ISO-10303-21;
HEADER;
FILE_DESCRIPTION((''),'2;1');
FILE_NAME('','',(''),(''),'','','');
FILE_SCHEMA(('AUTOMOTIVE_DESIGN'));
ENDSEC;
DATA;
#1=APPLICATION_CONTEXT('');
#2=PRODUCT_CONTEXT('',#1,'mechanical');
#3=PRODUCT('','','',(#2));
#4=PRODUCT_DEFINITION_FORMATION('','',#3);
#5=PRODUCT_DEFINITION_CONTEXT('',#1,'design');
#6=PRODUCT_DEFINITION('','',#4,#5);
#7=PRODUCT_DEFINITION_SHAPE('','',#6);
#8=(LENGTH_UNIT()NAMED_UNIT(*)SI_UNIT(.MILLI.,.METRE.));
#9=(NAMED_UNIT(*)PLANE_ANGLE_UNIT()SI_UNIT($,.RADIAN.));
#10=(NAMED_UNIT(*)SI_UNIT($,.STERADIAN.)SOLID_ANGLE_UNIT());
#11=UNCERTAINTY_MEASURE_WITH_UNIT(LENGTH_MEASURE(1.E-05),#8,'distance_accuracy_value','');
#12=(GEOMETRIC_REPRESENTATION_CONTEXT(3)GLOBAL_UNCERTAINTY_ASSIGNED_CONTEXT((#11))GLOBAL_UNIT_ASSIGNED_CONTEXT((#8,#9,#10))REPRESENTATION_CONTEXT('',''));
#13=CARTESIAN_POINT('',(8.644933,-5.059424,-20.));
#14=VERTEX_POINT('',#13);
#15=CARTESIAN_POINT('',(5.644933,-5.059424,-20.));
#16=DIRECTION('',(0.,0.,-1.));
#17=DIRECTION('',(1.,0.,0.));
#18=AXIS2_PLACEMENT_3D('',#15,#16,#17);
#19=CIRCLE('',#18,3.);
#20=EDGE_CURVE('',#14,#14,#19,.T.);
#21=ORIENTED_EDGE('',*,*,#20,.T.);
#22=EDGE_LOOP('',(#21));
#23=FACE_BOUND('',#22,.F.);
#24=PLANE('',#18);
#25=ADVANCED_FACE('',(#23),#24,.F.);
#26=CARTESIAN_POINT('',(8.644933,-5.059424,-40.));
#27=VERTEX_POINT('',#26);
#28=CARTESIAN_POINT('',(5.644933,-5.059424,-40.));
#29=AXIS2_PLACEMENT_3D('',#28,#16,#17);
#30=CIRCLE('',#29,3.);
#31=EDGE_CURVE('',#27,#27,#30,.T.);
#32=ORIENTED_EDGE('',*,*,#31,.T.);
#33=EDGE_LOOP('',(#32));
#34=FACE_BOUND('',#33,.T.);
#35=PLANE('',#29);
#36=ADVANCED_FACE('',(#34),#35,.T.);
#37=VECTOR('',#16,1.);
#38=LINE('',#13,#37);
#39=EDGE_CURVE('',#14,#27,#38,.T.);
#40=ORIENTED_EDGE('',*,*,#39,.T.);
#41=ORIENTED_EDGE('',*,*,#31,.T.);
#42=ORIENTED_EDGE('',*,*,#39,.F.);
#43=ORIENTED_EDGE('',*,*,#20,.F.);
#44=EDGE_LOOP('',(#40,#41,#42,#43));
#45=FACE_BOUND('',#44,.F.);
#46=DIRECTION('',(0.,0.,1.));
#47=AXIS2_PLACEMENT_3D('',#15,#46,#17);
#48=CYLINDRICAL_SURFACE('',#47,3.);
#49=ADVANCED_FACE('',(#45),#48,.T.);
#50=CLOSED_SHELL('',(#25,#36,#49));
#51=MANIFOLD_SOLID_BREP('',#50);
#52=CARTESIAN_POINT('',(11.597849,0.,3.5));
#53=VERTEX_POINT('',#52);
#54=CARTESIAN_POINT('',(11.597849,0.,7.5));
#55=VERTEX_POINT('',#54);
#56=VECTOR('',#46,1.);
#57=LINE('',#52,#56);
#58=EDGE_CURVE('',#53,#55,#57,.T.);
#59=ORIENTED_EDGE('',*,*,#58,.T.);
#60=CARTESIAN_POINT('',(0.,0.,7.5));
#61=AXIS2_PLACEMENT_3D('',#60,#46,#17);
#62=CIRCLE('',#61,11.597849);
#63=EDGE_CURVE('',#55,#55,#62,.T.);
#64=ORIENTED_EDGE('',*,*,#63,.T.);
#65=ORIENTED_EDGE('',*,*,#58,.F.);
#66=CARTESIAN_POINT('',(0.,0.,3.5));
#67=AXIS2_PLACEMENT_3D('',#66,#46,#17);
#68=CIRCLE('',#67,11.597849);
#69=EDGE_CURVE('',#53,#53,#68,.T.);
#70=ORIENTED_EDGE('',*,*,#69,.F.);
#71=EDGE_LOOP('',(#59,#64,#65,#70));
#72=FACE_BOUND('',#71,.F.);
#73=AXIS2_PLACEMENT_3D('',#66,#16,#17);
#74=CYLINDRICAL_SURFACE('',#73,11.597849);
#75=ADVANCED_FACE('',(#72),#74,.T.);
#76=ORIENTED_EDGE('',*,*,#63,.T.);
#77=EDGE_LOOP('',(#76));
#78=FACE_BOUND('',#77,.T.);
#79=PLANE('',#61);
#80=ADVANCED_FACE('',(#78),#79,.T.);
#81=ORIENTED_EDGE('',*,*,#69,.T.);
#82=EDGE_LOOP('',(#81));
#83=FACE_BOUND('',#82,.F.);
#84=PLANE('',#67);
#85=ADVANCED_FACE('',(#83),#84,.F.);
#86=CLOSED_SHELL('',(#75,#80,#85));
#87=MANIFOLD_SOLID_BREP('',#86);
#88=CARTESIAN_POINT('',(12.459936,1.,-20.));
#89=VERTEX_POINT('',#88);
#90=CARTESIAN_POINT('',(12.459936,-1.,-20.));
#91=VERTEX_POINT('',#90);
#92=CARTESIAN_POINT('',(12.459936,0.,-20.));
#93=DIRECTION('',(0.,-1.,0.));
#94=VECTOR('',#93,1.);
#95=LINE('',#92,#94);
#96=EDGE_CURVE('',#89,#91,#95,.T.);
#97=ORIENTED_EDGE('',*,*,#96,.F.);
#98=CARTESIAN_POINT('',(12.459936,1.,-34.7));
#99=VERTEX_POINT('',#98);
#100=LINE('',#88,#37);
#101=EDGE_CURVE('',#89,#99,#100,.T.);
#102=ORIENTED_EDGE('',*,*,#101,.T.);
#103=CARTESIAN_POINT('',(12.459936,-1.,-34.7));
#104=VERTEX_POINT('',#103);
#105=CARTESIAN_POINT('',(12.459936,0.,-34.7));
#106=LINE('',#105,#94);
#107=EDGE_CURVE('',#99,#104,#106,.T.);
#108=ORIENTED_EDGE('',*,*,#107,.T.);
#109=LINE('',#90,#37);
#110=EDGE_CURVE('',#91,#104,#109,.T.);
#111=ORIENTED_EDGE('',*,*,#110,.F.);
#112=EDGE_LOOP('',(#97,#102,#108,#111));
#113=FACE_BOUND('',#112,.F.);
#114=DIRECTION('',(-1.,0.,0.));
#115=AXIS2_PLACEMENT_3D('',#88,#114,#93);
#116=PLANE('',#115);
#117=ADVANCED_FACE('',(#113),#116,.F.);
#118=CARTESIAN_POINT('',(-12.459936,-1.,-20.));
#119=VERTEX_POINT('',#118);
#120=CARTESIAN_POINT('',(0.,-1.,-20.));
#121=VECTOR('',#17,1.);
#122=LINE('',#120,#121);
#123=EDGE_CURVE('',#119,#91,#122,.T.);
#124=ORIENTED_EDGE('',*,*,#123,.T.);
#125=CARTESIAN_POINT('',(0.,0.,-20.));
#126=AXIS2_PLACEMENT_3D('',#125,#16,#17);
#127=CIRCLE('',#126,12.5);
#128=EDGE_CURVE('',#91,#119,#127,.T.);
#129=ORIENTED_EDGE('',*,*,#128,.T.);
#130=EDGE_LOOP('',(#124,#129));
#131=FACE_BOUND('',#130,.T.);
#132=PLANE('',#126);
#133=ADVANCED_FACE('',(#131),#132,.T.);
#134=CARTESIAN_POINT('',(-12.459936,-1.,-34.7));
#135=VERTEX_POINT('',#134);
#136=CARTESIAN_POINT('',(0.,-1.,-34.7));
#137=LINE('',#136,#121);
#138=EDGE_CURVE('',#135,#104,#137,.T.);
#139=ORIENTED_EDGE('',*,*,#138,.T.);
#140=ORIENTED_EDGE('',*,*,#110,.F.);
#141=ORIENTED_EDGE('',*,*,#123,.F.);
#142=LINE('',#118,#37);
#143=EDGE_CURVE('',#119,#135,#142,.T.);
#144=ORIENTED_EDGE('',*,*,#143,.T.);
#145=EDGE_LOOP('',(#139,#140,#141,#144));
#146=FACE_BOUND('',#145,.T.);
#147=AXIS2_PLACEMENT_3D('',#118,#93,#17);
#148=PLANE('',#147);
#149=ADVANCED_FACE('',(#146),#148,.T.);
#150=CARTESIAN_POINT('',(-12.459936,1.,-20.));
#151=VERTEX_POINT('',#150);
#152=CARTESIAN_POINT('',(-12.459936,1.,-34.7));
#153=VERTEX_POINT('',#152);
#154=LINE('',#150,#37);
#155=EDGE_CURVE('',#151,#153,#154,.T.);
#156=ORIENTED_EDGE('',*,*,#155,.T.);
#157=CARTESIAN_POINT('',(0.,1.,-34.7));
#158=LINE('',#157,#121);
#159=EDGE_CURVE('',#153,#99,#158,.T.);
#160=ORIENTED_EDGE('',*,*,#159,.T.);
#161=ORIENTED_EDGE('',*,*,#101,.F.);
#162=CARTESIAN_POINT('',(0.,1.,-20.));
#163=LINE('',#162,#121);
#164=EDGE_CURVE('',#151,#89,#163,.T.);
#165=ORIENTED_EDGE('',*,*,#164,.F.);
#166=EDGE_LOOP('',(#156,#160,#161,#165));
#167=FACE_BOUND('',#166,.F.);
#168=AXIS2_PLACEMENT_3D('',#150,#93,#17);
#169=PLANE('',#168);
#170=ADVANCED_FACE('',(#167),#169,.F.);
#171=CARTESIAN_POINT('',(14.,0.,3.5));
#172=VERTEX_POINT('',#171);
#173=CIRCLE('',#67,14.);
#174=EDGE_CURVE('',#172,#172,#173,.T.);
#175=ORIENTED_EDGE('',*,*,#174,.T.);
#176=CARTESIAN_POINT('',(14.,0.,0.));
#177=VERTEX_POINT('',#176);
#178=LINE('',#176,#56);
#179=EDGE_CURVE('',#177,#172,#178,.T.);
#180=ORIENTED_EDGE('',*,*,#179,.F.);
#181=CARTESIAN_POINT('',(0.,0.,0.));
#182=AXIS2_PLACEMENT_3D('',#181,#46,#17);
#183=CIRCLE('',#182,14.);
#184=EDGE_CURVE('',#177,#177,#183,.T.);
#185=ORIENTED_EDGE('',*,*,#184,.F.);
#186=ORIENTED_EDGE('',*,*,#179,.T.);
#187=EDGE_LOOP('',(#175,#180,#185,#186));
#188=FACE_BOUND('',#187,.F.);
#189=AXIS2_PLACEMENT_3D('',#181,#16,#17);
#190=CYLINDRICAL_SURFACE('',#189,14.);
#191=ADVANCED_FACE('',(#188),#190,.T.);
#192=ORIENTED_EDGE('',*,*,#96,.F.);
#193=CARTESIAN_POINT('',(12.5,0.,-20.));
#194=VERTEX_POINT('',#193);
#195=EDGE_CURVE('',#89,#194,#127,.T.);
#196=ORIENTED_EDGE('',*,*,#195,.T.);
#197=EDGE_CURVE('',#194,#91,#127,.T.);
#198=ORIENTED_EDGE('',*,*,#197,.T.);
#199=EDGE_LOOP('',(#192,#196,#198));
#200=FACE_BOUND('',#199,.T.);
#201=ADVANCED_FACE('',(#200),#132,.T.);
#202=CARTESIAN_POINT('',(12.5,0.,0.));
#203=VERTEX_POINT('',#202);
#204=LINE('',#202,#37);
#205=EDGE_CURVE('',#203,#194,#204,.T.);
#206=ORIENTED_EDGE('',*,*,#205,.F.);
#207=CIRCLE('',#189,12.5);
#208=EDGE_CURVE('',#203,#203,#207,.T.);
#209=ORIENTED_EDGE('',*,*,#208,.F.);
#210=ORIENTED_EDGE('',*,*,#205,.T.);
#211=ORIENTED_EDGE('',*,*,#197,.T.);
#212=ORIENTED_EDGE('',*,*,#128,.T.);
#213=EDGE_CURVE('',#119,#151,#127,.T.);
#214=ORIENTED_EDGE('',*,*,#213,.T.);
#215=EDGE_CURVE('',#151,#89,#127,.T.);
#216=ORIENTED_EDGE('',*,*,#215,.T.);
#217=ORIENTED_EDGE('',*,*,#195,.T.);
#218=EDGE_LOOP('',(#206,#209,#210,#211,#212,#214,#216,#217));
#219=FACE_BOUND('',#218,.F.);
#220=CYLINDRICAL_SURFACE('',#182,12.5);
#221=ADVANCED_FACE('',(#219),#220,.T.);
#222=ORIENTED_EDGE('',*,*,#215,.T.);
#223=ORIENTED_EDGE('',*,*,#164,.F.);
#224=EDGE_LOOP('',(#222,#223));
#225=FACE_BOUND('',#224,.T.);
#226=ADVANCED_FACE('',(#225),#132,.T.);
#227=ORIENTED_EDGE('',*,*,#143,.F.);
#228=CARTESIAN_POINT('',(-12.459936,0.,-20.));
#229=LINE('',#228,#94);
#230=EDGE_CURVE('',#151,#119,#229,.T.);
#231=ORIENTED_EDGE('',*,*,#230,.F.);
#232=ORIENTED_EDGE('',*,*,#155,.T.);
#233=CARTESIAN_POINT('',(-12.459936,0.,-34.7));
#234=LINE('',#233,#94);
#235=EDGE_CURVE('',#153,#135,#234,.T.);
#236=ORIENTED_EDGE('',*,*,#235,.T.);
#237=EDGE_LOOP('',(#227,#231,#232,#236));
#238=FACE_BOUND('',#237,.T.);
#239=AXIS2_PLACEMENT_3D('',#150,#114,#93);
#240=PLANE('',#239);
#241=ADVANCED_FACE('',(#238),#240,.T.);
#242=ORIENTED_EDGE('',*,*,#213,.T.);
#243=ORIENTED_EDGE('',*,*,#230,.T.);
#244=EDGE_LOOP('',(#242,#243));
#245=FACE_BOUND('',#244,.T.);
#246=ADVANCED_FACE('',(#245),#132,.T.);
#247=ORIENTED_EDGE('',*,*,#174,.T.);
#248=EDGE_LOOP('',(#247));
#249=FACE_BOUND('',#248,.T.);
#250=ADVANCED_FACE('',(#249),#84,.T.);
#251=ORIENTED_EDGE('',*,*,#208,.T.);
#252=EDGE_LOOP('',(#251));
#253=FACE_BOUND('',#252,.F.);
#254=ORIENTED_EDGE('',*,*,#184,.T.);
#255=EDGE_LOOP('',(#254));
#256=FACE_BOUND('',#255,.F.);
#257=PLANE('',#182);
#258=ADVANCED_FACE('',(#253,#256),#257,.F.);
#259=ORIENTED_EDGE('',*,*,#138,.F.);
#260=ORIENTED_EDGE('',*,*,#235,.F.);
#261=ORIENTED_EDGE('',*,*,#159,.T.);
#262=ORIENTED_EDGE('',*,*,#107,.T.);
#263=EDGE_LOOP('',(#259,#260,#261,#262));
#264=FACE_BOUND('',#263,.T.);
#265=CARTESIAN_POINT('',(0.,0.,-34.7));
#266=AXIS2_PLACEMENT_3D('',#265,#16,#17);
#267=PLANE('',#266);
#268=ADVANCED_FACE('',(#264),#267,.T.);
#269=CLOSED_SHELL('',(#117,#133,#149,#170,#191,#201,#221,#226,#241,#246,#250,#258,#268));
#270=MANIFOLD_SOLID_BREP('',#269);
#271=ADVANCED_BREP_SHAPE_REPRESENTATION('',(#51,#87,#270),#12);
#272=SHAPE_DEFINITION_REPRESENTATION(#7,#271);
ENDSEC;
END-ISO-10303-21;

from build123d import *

# Parameters (mm, degrees)
F0_R     = 14
F1_DEPTH = 3.5
F2_R     = 12.5
F3_DEPTH = 20
F4_W     = 24.919872
F4_H     = 2
F5_DEPTH = 14.7
F6_R     = 11.597849
F7_DEPTH = 4
F8_R     = 3
F9_DEPTH = 20


with BuildPart() as f1:
    # F0 (on Top) → F1 (new body)
    with BuildSketch(Plane.XY):
        Circle(F0_R)
    extrude(amount=F1_DEPTH)

    # F2 (on face) → F3 (join)
    with BuildSketch(Plane(origin=(0, 0, 0), x_dir=(1, 0, 0), z_dir=(0, 0, -1))):
        Circle(F2_R)
    extrude(amount=F3_DEPTH)

    # F4 (on face) → F5 (join)
    with BuildSketch(Plane(origin=(0, 0, -20), x_dir=(1, 0, 0), z_dir=(0, 0, -1))):
        Rectangle(F4_W, F4_H)
    extrude(amount=F5_DEPTH)


with BuildPart() as f7:
    # F6 (on face) → F7 (new body)
    with BuildSketch(Plane.XY.offset(3.5)):
        Circle(F6_R)
    extrude(amount=F7_DEPTH)


with BuildPart() as f9:
    # F8 (on face) → F9 (new body)
    with BuildSketch(Plane(origin=(0, 0, -20), x_dir=(1, 0, 0), z_dir=(0, 0, -1))):
        with Locations((5.644933, 5.059424)):
            Circle(F8_R)
    extrude(amount=F9_DEPTH)


solid = Compound([f1.part, f7.part, f9.part])
